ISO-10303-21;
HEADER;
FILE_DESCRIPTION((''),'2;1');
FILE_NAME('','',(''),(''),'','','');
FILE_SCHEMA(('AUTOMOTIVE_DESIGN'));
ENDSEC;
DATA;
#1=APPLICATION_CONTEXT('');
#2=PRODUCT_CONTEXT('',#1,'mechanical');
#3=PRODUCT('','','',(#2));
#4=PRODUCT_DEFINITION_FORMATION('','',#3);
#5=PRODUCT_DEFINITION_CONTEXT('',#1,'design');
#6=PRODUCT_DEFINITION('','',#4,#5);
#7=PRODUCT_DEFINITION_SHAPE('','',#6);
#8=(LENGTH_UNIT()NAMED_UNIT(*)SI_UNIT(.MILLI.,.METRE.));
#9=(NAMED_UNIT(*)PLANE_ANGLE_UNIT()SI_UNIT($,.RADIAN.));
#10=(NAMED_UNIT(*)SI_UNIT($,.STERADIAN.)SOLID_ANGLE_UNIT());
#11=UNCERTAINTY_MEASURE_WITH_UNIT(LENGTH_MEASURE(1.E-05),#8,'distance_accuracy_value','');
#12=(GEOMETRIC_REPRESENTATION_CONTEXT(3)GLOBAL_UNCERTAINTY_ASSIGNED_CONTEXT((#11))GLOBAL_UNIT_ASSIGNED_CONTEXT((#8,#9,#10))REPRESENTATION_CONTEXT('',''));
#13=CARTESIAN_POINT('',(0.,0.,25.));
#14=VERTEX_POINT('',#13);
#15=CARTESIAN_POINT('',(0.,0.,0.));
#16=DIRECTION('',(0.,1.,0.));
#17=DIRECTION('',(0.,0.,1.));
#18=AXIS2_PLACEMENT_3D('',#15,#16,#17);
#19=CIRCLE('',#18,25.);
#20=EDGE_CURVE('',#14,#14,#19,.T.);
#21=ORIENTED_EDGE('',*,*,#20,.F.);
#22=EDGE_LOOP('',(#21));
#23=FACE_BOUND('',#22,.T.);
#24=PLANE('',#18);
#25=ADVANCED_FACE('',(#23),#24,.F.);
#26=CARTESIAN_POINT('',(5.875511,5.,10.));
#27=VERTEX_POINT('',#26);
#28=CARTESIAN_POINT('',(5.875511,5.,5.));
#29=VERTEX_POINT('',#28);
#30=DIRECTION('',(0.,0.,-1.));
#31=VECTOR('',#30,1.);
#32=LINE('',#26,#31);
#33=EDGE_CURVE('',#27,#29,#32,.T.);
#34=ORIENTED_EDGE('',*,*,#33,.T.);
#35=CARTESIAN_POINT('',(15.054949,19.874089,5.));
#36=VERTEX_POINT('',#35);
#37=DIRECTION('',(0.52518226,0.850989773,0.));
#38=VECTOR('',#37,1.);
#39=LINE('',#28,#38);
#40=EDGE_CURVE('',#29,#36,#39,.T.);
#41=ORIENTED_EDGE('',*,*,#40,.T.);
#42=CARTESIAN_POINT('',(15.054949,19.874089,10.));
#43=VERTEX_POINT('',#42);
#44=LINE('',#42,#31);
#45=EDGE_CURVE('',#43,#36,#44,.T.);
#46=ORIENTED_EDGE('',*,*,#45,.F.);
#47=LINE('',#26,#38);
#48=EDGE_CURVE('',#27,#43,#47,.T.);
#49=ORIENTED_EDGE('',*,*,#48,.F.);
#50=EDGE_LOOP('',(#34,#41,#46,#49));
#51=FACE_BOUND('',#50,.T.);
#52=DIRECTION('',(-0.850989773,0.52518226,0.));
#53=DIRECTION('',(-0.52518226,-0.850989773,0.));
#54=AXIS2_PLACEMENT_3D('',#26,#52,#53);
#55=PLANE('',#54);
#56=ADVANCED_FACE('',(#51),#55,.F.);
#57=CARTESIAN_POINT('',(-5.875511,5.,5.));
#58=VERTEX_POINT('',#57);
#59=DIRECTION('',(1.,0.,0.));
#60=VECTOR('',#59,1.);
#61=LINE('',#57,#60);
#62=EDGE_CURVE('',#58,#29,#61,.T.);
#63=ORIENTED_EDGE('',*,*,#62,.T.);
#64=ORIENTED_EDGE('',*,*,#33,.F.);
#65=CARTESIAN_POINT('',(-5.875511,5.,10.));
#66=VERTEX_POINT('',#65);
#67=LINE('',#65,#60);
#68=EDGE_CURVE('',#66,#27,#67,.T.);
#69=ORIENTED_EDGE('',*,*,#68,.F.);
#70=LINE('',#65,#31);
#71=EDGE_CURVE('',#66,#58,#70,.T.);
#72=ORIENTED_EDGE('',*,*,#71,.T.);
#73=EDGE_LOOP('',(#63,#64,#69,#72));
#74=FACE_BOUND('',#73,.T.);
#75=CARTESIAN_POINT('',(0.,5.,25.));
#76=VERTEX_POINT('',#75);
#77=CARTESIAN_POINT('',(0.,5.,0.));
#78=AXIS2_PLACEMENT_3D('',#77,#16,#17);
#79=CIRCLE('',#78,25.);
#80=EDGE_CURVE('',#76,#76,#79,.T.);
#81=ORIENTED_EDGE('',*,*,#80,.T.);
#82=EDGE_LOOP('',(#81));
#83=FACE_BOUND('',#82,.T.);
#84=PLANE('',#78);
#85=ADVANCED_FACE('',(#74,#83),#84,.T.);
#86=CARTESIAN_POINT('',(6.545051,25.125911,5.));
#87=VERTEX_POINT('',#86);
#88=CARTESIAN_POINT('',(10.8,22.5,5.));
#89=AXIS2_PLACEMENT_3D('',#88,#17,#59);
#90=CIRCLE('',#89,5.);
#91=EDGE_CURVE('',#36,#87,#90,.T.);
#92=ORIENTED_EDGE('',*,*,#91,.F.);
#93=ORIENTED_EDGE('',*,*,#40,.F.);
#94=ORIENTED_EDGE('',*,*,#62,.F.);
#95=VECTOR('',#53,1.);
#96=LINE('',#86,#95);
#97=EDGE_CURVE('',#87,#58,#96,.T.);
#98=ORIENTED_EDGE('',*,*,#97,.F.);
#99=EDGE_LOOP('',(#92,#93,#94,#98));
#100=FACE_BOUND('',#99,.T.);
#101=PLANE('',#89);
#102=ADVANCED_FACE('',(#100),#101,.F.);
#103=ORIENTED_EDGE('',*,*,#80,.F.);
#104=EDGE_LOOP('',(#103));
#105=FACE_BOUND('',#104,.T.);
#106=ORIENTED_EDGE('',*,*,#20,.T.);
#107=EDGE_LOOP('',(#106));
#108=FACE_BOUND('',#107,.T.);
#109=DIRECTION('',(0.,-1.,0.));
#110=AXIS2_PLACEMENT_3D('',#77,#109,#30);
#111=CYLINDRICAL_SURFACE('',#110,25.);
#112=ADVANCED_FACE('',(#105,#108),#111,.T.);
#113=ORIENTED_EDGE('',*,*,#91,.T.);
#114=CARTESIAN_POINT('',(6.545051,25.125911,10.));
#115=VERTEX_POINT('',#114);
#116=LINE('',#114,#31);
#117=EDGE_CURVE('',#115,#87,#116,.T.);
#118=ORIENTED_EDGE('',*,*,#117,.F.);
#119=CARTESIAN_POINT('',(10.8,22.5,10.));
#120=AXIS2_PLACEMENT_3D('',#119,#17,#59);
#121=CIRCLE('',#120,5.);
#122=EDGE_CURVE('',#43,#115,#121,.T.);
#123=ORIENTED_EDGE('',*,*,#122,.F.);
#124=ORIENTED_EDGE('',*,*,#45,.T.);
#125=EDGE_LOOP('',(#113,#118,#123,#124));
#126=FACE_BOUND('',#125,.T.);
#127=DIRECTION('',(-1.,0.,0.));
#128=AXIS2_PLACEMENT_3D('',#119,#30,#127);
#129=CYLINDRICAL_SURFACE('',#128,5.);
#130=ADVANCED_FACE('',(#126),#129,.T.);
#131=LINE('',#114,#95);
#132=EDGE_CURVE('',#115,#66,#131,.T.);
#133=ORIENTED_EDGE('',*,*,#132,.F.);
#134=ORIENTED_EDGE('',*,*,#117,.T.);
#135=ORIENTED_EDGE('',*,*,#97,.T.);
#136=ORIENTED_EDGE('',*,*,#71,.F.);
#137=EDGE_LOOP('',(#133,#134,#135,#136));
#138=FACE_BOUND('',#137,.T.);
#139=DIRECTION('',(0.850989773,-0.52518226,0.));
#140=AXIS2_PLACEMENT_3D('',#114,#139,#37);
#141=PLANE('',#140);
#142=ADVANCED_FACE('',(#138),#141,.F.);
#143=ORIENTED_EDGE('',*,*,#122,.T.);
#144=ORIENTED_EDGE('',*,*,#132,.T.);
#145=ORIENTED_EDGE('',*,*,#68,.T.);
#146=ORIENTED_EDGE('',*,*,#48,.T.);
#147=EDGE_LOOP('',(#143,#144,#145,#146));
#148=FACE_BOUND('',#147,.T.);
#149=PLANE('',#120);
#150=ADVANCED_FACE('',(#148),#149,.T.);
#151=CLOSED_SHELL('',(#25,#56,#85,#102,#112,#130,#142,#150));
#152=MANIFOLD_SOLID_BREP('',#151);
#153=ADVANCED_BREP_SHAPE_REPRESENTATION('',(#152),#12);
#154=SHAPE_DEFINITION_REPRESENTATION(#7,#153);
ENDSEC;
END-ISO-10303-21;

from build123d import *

# Parameters (mm, degrees)
SKETCH_1_R      = 25
EXTRUDE_1_DEPTH = 5
EXTRUDE_2_DEPTH = 5


with BuildPart() as part:
    # 草图1 → 凸台-拉伸1 (new body)
    with BuildSketch(Plane(origin=(0, 0, 0), x_dir=(1, 0, 0), z_dir=(0, 1, 0))):
        with Locations(Location((0, 0, 0), (0, 0, 270))):
            Circle(SKETCH_1_R)
    extrude(amount=EXTRUDE_1_DEPTH)

    # 草图2 → 凸台-拉伸2 (add)
    with BuildSketch(Plane.XY.offset(5)):
        with BuildLine():
            Line((5.875511267, 5), (15.054948865, 19.8740887))
            ThreePointArc((15.054948865, 19.8740887), (13.4259113, 26.754948865), (6.545051135, 25.1259113))
            Line((6.545051135, 25.1259113), (-5.875511267, 5))
            Line((-5.875511267, 5), (5.875511267, 5))
        make_face()
    extrude(amount=EXTRUDE_2_DEPTH)


solid = part.part
